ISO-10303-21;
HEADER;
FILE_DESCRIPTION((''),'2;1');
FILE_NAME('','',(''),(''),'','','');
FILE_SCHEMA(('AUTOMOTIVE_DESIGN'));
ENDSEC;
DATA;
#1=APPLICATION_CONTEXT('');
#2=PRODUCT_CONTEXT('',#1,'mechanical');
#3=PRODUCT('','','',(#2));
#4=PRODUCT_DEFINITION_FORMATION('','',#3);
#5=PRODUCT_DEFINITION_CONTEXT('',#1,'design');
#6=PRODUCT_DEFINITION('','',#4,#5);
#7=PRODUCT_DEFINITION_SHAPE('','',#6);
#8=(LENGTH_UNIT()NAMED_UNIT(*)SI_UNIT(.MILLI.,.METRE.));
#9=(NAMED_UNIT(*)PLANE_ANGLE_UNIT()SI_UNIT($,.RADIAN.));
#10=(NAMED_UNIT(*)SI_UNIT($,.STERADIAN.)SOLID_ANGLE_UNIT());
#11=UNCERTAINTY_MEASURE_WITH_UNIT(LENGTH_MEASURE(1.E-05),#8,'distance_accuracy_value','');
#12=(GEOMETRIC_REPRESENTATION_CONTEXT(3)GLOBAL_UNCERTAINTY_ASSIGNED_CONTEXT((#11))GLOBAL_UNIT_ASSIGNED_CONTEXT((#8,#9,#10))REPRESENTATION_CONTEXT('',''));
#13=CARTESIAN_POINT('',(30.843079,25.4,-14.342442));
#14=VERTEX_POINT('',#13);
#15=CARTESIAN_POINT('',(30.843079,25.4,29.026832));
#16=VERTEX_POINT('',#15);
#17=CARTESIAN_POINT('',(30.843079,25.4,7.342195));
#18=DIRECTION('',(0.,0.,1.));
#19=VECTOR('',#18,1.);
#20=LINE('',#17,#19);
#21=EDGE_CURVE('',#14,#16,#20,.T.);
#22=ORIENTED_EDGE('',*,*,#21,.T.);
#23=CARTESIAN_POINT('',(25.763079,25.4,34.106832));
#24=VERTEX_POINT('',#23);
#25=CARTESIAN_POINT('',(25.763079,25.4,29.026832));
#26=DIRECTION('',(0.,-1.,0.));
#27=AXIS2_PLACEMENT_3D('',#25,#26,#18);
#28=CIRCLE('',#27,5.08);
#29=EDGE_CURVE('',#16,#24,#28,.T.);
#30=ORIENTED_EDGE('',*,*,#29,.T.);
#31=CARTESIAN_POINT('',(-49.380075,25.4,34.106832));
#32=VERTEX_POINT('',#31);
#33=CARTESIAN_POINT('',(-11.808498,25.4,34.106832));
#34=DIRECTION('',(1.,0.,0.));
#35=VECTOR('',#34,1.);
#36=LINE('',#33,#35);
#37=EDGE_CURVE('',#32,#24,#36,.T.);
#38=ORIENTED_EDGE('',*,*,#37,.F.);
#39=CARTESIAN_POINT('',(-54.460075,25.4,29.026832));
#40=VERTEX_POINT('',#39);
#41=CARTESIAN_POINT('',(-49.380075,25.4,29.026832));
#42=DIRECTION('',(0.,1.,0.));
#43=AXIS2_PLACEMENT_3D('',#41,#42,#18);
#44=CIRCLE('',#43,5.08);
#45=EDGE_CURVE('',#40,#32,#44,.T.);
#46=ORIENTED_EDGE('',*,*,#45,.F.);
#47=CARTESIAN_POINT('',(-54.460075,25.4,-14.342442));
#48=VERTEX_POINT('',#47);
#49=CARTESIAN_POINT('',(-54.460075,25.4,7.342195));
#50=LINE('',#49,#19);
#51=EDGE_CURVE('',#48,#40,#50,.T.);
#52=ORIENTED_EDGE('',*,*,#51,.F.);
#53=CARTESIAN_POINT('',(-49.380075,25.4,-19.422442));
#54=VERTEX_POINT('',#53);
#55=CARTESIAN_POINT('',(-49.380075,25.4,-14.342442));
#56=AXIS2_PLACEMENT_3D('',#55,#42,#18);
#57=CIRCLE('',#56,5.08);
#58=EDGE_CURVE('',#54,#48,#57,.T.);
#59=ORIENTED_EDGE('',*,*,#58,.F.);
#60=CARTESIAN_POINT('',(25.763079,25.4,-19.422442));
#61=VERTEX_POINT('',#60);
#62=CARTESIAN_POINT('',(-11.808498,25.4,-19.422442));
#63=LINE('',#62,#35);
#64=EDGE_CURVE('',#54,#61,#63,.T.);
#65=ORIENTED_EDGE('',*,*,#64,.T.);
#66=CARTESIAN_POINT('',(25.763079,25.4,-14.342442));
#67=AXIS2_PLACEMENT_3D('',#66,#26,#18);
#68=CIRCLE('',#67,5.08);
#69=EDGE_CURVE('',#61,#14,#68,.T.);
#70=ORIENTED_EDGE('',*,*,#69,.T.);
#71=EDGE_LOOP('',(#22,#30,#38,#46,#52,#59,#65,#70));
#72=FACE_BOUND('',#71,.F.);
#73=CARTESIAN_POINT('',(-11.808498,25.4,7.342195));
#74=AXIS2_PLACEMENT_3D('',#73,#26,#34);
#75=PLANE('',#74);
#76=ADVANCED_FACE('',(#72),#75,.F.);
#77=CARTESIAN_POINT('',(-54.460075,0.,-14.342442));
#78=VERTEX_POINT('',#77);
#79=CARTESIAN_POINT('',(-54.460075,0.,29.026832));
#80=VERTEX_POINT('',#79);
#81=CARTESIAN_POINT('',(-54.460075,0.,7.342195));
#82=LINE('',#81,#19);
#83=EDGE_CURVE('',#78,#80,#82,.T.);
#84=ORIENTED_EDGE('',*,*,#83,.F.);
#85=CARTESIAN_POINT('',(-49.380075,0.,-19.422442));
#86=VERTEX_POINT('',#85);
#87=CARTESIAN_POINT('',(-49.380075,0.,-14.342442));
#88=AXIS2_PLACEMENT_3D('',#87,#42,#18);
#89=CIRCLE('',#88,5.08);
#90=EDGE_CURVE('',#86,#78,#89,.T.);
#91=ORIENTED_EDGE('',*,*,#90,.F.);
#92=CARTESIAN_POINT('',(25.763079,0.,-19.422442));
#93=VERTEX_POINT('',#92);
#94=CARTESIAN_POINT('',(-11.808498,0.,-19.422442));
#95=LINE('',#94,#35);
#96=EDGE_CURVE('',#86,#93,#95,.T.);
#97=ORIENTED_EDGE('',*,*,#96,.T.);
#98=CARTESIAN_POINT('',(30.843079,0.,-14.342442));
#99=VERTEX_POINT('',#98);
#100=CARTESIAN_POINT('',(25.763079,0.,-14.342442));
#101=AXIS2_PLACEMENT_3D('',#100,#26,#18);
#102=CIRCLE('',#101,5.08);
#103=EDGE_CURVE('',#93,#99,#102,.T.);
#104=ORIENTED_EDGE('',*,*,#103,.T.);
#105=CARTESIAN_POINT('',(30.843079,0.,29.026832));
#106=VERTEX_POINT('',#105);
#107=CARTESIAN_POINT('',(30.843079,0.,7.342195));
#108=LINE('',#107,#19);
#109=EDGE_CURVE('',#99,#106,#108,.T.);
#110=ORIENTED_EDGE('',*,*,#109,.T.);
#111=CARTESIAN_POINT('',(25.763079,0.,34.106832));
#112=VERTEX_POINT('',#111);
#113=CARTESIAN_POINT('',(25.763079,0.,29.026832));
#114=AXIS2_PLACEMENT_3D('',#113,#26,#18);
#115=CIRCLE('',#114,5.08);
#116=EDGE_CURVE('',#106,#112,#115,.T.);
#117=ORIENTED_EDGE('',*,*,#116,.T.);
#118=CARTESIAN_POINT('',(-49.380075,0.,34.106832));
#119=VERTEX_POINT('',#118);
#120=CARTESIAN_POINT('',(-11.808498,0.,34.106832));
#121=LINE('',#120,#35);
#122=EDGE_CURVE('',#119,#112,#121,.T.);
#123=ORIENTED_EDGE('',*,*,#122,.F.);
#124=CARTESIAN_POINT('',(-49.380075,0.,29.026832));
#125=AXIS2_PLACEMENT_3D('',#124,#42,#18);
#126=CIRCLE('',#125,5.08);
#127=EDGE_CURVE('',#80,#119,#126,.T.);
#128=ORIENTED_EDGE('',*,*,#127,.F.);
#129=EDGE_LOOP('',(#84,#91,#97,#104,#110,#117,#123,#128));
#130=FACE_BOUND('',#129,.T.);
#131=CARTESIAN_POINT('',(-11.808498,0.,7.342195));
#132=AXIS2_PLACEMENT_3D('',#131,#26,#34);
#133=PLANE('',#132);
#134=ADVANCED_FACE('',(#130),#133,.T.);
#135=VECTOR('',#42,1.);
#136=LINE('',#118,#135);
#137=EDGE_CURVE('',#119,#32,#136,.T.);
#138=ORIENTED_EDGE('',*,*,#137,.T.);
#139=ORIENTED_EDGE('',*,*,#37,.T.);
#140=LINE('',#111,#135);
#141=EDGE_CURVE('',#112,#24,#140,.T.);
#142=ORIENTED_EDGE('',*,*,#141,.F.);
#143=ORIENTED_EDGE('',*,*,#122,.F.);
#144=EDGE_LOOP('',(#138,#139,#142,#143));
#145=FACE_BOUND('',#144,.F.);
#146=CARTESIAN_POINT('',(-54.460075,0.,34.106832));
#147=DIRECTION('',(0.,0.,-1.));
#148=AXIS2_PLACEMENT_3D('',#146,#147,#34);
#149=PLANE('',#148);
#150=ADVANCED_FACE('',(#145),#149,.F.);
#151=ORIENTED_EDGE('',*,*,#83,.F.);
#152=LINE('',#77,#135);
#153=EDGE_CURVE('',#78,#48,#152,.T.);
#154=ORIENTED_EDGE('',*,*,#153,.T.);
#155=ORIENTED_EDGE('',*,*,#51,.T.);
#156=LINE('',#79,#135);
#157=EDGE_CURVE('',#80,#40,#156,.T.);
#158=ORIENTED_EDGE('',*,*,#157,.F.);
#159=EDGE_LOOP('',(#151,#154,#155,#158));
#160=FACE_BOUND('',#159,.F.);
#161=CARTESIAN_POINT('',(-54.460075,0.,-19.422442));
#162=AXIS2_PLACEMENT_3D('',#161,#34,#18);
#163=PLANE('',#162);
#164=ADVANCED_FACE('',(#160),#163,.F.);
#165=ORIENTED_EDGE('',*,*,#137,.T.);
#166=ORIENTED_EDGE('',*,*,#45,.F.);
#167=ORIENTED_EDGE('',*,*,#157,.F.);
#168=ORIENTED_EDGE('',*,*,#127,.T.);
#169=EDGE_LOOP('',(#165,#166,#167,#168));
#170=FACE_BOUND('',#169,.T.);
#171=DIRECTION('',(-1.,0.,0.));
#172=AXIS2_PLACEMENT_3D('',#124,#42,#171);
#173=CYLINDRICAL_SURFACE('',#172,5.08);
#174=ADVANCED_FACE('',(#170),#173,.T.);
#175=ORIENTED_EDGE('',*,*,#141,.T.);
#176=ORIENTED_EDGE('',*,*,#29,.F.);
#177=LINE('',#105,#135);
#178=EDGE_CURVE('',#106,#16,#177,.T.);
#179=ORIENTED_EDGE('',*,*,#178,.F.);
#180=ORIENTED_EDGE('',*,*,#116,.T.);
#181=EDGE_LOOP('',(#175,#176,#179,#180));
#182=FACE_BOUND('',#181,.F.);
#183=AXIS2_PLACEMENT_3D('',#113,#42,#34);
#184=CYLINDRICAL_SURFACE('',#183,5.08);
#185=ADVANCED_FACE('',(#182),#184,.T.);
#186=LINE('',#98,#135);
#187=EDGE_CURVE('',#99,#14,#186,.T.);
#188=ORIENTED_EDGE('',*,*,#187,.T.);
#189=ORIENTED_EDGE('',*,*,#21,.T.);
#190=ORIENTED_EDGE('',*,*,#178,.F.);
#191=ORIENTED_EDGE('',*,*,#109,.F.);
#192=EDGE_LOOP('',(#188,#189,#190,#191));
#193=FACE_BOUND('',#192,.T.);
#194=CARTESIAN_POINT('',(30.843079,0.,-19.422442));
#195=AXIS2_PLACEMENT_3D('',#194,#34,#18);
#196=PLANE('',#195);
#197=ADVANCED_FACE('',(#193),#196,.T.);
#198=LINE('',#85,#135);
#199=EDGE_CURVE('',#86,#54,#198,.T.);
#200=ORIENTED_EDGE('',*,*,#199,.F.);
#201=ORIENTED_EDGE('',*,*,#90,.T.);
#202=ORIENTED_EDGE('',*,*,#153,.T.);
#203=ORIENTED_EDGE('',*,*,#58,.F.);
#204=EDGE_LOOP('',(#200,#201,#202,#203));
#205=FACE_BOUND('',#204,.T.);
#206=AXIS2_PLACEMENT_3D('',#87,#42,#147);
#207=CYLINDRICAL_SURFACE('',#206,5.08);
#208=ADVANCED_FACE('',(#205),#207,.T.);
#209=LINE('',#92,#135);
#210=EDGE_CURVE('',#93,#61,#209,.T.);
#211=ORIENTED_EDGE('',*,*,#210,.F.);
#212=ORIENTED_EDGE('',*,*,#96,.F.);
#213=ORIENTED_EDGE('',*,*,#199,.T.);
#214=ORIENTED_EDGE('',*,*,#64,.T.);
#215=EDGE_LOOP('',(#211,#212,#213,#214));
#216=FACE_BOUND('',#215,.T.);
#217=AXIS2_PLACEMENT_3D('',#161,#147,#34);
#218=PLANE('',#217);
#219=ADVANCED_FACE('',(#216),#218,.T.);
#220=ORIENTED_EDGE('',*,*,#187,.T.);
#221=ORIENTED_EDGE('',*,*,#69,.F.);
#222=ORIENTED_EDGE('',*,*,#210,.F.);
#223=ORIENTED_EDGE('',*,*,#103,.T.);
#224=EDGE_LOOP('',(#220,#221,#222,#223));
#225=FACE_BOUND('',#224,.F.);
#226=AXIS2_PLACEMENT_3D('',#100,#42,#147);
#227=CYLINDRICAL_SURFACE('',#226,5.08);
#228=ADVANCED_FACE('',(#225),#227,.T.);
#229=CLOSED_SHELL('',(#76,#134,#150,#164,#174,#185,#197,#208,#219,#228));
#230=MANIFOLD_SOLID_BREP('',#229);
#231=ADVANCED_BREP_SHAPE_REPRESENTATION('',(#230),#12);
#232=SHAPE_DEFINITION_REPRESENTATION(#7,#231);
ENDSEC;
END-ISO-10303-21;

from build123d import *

# Parameters (mm, degrees)
F0_W     = 85.303154
F0_H     = 53.529274
F1_DEPTH = 25.4
F2_R     = 5.08
F3_R     = 5.08
F4_W     = 50.8
F4_H     = 50.8
F5_ANGLE = 30


with BuildPart() as f1:
    # F0 (on Front) → F1 (new body)
    with BuildSketch(Plane.XZ):
        with Locations((-11.808498, 7.342195)):
            Rectangle(F0_W, F0_H)
    extrude(amount=-F1_DEPTH)

    # F2
    f2_edges = [f1.edges().sort_by_distance(p)[0] for p in [
        (30.843079, 12.7, 34.106832),
        (30.843079, 12.7, -19.422442),
    ]]
    fillet(f2_edges, radius=F2_R)

    # F3
    f3_edges = [f1.edges().sort_by_distance(p)[0] for p in [
        (-54.460075, 12.7, 34.106832),
        (-54.460075, 12.7, -19.422442),
    ]]
    fillet(f3_edges, radius=F3_R)


with BuildPart() as f5:
    # F4 (on Top) → F5 (revolve, symmetric)
    with BuildSketch(Plane.XY) as f5_sk:
        with Locations((-87.164474, -30.215205)):
            Rectangle(F4_W, F4_H)
    revolve(axis=Axis((-61.764474, -30.215205, 0), (0, 1, 0)), revolution_arc=F5_ANGLE / 2)
    revolve(f5_sk.sketch, axis=Axis((-61.764474, -30.215205, 0), (0, -1, 0)), revolution_arc=F5_ANGLE / 2)


solid = f1.part
